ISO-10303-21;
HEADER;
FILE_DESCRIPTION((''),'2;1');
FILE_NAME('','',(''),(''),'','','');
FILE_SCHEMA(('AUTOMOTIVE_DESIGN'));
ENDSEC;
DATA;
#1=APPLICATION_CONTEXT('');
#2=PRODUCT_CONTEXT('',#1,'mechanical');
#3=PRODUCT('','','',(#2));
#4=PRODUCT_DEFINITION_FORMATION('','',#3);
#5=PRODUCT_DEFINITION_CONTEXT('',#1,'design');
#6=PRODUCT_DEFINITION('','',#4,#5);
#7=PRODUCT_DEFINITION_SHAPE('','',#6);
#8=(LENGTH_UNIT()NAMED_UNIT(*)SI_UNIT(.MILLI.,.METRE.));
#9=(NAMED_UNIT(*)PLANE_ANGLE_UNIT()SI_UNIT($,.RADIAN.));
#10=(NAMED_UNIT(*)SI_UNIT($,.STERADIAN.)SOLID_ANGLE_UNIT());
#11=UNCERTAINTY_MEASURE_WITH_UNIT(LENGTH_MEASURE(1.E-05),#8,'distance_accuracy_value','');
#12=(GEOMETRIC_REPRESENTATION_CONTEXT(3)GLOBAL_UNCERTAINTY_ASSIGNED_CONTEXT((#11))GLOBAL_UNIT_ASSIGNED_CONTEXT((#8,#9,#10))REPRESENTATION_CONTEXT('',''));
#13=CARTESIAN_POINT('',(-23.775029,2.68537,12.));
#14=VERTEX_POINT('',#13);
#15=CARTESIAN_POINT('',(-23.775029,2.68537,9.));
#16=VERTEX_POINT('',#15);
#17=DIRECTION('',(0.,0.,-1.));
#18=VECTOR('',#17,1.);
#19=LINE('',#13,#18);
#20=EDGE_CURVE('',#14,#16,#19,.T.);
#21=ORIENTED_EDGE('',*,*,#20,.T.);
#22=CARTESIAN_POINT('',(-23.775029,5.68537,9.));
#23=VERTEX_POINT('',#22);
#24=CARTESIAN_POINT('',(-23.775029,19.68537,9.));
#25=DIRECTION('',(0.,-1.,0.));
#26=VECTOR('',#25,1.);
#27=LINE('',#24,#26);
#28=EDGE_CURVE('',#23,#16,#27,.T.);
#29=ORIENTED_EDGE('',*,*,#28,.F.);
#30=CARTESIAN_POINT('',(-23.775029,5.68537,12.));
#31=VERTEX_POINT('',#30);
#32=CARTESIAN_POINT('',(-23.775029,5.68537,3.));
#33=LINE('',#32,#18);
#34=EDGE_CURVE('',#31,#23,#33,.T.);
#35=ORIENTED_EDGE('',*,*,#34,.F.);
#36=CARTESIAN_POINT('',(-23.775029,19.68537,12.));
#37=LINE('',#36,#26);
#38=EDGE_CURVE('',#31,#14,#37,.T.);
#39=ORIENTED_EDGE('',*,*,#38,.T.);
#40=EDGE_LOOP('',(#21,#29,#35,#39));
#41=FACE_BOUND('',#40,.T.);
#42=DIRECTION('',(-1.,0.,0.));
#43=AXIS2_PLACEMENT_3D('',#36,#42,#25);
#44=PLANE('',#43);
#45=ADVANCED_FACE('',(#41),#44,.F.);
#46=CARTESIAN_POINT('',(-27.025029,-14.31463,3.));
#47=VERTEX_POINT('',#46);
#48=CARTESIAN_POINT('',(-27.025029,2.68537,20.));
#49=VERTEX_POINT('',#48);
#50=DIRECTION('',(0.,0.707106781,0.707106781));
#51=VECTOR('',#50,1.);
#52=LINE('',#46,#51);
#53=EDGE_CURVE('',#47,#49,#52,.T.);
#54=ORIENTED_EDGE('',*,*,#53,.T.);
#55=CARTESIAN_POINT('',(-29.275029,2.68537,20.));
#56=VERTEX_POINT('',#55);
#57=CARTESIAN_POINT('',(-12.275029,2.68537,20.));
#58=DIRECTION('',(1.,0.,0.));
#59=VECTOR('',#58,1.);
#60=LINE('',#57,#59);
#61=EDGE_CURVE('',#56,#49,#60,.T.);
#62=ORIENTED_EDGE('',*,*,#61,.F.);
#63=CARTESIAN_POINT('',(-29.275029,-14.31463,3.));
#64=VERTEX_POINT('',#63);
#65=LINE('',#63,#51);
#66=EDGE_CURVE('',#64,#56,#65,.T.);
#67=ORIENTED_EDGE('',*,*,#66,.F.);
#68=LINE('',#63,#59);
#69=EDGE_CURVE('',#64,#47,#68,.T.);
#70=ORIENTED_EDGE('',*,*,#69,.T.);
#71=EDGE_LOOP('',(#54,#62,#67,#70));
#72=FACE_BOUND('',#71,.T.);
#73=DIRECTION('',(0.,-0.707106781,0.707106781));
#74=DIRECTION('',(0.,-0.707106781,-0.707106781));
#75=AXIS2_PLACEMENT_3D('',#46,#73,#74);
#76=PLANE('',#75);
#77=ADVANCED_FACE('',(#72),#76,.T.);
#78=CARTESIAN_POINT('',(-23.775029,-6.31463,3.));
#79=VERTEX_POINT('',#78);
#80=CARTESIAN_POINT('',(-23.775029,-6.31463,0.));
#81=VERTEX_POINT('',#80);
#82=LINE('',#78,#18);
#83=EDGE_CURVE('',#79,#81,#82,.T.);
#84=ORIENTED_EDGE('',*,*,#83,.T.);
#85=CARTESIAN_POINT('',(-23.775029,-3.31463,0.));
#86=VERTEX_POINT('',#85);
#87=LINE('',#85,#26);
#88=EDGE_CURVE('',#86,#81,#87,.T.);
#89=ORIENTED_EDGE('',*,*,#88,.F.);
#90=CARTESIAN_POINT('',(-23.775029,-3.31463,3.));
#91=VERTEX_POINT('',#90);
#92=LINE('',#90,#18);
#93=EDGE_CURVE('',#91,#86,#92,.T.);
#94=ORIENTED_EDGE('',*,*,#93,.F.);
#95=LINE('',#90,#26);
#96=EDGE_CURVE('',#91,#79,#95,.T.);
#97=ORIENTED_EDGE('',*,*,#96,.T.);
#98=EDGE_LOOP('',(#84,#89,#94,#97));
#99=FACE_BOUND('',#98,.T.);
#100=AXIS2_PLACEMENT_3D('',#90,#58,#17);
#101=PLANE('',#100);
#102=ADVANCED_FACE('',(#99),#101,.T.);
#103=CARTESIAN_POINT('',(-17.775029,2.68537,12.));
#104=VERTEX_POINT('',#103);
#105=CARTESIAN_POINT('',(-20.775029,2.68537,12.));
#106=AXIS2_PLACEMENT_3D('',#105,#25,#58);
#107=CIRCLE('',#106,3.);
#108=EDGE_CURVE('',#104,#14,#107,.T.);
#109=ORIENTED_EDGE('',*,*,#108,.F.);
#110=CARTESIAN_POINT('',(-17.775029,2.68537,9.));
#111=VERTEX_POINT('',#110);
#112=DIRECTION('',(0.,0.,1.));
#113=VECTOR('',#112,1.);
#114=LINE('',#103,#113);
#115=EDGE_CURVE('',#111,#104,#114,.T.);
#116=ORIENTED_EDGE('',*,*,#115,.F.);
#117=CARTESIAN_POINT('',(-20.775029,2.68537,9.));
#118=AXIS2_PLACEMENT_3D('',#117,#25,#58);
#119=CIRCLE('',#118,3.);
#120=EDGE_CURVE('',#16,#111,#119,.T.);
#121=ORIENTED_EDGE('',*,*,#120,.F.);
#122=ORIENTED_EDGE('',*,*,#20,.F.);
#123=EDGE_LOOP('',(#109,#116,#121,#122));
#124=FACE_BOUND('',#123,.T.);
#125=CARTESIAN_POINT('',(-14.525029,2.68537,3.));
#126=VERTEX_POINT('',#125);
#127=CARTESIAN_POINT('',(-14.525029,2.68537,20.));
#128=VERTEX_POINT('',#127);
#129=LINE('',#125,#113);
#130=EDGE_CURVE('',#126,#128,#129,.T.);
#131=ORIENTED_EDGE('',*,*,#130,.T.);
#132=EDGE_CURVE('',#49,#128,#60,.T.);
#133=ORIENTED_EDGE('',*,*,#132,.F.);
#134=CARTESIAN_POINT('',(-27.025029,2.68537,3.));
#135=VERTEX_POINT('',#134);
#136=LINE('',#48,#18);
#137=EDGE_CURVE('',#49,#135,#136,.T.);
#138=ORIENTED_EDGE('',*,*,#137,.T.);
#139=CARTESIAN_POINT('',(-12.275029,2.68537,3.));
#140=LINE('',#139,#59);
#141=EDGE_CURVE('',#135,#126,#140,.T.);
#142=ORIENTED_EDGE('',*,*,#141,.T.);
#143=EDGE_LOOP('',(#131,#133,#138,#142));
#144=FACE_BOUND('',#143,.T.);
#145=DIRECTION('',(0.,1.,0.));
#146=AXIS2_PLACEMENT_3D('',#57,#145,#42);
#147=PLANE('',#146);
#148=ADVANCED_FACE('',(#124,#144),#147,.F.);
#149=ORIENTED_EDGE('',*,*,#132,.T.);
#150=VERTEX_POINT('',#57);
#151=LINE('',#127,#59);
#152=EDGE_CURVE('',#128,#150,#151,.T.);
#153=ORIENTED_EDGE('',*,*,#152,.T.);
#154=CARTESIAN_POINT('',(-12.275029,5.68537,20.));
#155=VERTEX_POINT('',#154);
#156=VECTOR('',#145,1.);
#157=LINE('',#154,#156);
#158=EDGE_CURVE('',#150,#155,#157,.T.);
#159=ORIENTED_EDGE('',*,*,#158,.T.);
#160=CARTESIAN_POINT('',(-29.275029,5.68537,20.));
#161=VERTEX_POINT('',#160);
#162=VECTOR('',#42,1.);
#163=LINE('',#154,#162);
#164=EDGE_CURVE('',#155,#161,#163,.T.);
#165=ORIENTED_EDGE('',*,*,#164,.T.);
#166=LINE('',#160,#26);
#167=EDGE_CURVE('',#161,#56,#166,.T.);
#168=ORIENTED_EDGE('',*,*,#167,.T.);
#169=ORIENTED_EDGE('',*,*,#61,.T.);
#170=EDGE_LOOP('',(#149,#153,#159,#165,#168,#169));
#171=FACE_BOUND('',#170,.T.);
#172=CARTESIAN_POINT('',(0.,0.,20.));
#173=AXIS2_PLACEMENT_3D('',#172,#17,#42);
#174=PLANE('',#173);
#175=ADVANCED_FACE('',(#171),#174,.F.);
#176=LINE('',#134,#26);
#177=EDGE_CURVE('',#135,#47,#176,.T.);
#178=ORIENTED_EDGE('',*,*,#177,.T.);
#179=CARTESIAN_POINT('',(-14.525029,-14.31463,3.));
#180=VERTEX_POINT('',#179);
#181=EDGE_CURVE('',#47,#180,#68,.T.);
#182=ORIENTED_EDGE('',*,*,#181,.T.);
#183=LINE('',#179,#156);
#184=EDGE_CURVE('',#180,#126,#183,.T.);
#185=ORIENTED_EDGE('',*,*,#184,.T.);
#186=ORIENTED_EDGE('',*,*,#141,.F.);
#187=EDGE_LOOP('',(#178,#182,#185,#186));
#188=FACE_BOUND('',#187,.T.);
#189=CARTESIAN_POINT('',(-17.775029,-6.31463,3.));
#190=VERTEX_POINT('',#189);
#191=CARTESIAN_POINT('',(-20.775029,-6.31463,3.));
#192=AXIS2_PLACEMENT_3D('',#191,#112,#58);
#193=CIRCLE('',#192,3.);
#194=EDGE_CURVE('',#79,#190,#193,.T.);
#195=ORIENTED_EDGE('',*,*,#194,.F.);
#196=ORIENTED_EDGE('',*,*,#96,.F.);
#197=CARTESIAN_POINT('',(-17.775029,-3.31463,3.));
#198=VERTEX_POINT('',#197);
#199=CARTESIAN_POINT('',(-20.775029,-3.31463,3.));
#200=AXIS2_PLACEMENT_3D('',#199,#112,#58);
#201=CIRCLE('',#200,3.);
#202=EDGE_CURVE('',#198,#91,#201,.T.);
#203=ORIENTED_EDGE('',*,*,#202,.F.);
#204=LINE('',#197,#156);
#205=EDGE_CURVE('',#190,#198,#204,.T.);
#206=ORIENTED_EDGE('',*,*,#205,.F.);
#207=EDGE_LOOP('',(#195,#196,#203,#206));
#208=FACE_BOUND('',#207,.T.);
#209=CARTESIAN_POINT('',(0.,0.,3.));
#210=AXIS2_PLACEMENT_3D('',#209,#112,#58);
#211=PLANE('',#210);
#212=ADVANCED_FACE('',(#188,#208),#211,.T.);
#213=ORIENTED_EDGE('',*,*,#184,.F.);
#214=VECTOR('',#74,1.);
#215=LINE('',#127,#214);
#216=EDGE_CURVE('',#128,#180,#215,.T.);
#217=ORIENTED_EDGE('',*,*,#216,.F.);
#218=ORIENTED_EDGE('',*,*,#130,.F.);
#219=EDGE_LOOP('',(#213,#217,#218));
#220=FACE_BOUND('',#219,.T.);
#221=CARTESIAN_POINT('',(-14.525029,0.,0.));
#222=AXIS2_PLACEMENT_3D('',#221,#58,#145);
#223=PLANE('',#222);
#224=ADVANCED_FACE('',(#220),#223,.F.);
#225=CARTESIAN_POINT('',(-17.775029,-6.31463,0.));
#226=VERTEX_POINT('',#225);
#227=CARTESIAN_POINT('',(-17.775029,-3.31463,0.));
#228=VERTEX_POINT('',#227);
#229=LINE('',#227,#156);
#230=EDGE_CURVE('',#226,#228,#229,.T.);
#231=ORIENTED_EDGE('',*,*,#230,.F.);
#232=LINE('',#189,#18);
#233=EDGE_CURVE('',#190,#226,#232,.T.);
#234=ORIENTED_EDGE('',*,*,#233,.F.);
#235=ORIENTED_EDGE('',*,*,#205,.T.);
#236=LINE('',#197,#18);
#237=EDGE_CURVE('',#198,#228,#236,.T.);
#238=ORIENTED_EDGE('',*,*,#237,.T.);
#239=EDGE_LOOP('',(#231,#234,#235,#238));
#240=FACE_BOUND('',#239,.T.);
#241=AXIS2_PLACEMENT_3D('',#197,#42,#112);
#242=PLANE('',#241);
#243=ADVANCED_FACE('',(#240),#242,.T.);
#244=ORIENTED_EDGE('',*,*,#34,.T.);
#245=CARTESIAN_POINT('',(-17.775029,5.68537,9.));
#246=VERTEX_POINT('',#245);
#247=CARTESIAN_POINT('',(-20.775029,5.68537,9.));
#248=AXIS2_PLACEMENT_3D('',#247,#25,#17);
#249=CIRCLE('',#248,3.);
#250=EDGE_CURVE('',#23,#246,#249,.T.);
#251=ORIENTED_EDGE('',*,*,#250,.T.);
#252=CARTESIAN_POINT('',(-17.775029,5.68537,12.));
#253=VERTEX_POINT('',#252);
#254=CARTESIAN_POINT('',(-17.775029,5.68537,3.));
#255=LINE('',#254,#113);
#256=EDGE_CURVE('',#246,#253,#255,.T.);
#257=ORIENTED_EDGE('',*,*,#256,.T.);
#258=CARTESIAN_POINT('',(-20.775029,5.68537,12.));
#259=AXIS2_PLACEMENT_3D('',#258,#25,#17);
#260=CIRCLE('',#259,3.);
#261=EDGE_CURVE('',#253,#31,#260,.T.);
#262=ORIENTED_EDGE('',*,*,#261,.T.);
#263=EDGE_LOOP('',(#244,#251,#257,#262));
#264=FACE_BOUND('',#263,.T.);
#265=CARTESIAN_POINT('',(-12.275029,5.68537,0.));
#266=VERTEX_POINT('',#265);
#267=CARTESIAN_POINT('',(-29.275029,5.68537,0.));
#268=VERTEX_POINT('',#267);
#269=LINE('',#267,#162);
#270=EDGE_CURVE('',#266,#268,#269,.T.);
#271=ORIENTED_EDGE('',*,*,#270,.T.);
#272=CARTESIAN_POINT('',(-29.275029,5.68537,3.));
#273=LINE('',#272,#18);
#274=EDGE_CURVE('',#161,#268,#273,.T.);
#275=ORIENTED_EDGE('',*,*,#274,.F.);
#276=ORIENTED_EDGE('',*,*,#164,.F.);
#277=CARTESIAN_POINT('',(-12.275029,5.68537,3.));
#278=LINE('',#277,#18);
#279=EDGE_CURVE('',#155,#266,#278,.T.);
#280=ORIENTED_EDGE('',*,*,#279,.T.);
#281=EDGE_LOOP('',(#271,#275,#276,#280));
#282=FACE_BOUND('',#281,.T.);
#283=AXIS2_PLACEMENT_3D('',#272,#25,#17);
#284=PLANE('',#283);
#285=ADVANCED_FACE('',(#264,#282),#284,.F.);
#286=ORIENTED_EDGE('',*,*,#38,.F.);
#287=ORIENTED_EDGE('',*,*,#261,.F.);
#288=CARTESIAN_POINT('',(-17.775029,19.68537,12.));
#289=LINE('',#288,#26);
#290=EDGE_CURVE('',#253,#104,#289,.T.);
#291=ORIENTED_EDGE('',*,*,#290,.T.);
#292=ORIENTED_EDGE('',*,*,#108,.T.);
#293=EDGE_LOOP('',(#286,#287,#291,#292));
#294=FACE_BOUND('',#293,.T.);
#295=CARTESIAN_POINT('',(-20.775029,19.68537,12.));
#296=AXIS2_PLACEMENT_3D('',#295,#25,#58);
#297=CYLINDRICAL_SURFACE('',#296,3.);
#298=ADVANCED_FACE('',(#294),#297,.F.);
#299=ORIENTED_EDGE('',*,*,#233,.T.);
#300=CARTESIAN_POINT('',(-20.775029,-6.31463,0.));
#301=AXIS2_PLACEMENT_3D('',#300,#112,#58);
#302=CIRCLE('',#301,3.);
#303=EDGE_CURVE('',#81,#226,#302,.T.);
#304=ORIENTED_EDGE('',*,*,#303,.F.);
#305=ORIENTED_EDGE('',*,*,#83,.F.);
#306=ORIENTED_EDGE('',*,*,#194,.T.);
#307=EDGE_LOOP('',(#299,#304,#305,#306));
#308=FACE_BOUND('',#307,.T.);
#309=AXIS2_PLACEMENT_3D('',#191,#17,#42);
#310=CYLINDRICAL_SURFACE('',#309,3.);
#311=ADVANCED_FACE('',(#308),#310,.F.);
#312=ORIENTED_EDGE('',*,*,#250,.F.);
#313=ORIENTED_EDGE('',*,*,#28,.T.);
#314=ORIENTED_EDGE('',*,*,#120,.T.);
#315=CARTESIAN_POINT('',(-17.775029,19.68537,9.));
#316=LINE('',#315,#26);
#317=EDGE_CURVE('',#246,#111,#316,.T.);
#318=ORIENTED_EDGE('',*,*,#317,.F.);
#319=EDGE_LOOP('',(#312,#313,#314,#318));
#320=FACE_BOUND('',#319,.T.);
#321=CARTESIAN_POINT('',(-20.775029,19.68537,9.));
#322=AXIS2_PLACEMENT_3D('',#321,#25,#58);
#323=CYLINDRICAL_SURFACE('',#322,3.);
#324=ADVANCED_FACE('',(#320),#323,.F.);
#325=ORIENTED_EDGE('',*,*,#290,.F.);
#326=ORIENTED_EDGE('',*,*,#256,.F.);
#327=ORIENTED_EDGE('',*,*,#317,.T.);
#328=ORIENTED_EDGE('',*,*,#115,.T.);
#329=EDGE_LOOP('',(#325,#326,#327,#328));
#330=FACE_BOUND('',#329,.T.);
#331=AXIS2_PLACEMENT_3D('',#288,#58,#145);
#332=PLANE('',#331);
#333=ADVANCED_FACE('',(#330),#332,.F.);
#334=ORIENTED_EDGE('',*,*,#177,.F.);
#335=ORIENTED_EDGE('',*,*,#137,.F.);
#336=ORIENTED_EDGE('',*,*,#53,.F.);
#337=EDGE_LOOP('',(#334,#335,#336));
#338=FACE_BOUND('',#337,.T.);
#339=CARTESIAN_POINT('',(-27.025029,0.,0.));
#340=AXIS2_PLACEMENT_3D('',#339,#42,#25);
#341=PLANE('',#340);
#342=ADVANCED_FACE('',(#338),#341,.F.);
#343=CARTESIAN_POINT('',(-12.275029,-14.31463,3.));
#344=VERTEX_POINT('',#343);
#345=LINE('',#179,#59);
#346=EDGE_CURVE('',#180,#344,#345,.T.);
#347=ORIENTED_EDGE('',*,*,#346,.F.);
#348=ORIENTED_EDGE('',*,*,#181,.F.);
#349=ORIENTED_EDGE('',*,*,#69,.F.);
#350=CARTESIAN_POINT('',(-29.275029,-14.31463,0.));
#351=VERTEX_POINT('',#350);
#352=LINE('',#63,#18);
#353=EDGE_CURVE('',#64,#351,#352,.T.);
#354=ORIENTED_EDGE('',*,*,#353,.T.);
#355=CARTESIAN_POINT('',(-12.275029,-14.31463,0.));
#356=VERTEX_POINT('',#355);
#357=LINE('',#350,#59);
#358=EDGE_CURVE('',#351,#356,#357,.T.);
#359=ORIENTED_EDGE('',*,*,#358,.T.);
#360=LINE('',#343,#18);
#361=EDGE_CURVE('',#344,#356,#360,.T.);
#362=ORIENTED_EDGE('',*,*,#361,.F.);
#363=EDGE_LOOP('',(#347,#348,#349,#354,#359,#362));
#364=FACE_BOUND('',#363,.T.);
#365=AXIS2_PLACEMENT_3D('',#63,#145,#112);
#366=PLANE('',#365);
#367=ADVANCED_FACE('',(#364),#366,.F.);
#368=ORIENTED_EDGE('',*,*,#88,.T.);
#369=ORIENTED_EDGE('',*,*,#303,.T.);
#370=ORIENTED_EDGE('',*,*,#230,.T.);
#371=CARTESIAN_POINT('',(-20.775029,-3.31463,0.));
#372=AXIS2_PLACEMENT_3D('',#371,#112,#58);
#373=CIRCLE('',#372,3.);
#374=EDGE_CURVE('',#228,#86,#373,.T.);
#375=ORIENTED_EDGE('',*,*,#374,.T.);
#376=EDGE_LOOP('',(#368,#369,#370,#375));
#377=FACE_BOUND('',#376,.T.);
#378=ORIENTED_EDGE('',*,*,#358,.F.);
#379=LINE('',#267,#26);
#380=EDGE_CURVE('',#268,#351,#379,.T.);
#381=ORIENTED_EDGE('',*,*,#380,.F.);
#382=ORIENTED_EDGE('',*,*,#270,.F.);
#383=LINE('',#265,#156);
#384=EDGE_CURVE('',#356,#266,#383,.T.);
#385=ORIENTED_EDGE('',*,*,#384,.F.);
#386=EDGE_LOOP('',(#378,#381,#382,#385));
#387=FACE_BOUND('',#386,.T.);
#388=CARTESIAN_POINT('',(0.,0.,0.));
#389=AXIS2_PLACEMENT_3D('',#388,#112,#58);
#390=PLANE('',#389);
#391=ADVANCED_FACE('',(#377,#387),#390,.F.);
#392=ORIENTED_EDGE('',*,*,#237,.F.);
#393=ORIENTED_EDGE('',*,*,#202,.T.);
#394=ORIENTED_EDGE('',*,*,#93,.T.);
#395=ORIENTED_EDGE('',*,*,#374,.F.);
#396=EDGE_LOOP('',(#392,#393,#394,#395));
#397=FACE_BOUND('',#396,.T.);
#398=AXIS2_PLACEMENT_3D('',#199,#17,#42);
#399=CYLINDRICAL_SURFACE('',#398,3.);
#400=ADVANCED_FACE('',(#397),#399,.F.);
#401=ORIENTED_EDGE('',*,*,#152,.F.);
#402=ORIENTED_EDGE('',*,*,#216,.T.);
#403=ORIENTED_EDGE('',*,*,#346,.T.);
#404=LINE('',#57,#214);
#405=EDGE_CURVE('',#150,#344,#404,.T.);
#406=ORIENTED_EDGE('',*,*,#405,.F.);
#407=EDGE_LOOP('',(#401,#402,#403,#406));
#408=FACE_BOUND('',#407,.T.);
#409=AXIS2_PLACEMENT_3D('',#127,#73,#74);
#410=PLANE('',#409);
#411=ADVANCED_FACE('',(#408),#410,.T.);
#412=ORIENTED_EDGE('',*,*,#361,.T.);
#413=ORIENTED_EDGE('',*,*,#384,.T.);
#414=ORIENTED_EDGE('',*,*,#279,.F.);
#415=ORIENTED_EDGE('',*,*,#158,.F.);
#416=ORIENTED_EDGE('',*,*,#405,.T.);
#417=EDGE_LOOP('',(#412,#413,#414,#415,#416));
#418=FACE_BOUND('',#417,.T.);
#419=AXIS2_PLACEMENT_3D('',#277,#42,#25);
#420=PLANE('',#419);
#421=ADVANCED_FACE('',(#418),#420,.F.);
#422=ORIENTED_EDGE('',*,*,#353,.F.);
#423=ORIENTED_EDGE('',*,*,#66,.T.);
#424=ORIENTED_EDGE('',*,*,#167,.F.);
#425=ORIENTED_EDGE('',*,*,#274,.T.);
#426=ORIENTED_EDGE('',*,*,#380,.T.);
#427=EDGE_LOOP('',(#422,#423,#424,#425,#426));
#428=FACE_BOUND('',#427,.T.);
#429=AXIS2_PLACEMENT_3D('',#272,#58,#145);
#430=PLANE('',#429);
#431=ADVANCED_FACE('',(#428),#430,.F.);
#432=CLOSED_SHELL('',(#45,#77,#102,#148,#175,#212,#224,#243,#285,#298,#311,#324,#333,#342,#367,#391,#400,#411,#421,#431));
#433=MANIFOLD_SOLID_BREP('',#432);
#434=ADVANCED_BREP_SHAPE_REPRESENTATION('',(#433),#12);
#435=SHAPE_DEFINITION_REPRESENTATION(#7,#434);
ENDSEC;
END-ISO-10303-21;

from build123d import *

# Parameters (mm, degrees)
SKETCH_1_W          = 17
SKETCH_1_H          = 20
EXTRUDE_1_DEPTH     = 3
SKETCH_2_W          = 17
SKETCH_2_H          = 3
EXTRUDE_2_DEPTH     = 17
CUT_EXTRUDE_1_DEPTH = 17
EXTRUDE_3_DEPTH     = 2.25
EXTRUDE_4_DEPTH     = 2.25


with BuildPart() as part:
    # Эскиз1 → Бобышка-Вытянуть1 (new body)
    with BuildSketch(Plane.XY):
        with Locations((-20.775029161, -4.314630229)):
            Rectangle(SKETCH_1_W, SKETCH_1_H)
        with BuildLine():
            Line((-17.775029161, -3.314630229), (-17.775029161, -6.314630229))
            ThreePointArc((-17.775029161, -6.314630229), (-20.775029161, -9.314630229), (-23.775029161, -6.314630229))
            Line((-23.775029161, -6.314630229), (-23.775029161, -3.314630229))
            ThreePointArc((-23.775029161, -3.314630229), (-20.775029161, -0.314630229), (-17.775029161, -3.314630229))
        make_face(mode=Mode.SUBTRACT)
    extrude(amount=EXTRUDE_1_DEPTH)

    # Эскиз2 → Бобышка-Вытянуть2 (add)
    with BuildSketch(Plane.XY.offset(3)):
        with Locations((-20.775029161, 4.185369771)):
            Rectangle(SKETCH_2_W, SKETCH_2_H)
    extrude(amount=EXTRUDE_2_DEPTH)

    # Эскиз3 → Вырез-Вытянуть1 (cut)
    with BuildSketch(Plane.XZ.offset(-2.685369771)):
        with BuildLine():
            Line((-17.775029161, 12), (-17.775029161, 9))
            ThreePointArc((-17.775029161, 9), (-20.775029161, 6), (-23.775029161, 9))
            Line((-23.775029161, 9), (-23.775029161, 12))
            ThreePointArc((-23.775029161, 12), (-20.775029161, 15), (-17.775029161, 12))
        make_face()
    extrude(amount=-CUT_EXTRUDE_1_DEPTH, mode=Mode.SUBTRACT)

    # Эскиз4 → Бобышка-Вытянуть3 (add)
    with BuildSketch(Plane.ZY.offset(29.275029161)):
        Polygon((20, 2.685369771), (3, 2.685369771), (3, -14.314630229), align=None)
    extrude(amount=-EXTRUDE_3_DEPTH)

    # Эскиз5 → Бобышка-Вытянуть4 (add)
    with BuildSketch(Plane(origin=(-12.275029161, 0, 0), x_dir=(0, 0, -1), z_dir=(1, 0, 0))):
        Polygon((-3, -14.314630229), (-3, 2.685369771), (-20, 2.685369771), align=None)
    extrude(amount=-EXTRUDE_4_DEPTH)


solid = part.part
